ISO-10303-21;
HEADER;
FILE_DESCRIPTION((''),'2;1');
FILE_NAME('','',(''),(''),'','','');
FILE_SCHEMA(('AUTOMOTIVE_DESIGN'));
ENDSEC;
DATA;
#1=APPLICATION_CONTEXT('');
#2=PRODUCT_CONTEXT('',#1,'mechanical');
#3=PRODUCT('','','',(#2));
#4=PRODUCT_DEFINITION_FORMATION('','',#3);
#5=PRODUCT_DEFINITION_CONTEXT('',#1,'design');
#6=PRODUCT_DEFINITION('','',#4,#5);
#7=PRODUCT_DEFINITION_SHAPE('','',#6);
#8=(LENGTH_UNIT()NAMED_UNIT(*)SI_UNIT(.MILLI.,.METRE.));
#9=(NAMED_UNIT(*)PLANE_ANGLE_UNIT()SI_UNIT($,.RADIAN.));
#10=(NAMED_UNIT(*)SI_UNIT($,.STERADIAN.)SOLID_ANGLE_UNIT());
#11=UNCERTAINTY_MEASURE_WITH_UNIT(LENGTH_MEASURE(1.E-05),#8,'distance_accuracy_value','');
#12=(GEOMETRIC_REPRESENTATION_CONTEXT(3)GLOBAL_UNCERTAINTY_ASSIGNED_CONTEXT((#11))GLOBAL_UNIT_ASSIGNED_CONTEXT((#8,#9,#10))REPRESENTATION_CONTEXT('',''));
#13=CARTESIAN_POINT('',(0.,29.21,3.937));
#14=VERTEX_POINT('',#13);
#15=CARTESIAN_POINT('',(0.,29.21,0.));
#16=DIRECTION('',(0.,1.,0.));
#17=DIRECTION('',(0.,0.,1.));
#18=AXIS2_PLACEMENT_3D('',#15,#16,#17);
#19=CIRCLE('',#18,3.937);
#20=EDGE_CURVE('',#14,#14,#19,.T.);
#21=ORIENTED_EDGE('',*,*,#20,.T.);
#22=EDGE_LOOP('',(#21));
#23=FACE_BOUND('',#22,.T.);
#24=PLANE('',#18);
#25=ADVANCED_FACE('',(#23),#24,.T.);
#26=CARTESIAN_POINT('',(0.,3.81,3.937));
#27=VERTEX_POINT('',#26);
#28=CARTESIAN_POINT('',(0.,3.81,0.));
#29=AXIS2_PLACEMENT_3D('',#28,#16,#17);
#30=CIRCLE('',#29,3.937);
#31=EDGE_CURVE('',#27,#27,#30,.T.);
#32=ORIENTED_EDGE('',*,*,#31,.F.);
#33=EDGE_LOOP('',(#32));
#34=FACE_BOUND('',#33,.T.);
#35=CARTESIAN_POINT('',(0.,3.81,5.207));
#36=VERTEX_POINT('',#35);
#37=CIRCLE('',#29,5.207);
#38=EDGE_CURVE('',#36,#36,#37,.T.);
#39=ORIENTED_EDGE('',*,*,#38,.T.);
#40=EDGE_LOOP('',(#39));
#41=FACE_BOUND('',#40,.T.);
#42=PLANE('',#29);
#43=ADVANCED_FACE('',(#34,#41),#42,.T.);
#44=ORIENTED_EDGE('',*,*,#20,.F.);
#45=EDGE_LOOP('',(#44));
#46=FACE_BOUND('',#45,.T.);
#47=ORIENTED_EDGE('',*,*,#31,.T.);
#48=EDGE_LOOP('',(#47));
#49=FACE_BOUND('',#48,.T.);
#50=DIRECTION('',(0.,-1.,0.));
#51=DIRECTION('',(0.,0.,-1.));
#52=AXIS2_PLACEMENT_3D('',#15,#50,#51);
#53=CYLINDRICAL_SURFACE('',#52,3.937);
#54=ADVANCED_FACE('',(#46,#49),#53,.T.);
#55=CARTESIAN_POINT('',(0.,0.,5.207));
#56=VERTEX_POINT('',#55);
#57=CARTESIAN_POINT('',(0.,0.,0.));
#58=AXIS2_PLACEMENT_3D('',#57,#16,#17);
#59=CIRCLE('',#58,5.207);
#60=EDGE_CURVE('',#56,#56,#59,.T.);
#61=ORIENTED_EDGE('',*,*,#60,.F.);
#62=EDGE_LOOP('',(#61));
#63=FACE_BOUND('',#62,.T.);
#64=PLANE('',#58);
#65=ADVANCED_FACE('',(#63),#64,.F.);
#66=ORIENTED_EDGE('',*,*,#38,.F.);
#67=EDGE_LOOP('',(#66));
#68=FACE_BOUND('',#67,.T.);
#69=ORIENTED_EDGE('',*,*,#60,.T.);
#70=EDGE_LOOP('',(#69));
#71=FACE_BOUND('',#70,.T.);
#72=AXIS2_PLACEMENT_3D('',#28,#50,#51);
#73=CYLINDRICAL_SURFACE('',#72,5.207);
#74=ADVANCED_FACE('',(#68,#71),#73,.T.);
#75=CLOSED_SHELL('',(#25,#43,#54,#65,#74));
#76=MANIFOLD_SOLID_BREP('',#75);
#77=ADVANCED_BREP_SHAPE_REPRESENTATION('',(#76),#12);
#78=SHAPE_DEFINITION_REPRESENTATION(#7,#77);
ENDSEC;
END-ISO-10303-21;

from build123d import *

# Parameters (mm, degrees)
SKETCH1_R           = 5.207
BOSS_EXTRUDE1_DEPTH = 3.81
SKETCH2_R           = 3.937
BOSS_EXTRUDE2_DEPTH = 25.4


with BuildPart() as part:
    # Sketch1 → Boss-Extrude1 (new body)
    with BuildSketch(Plane(origin=(0, 0, 0), x_dir=(1, 0, 0), z_dir=(0, 1, 0))):
        Circle(SKETCH1_R)
    extrude(amount=BOSS_EXTRUDE1_DEPTH)

    # Sketch2 → Boss-Extrude2 (add)
    with BuildSketch(Plane(origin=(0, 3.81, 0), x_dir=(1, 0, 0), z_dir=(0, 1, 0))):
        Circle(SKETCH2_R)
    extrude(amount=BOSS_EXTRUDE2_DEPTH)


solid = part.part
